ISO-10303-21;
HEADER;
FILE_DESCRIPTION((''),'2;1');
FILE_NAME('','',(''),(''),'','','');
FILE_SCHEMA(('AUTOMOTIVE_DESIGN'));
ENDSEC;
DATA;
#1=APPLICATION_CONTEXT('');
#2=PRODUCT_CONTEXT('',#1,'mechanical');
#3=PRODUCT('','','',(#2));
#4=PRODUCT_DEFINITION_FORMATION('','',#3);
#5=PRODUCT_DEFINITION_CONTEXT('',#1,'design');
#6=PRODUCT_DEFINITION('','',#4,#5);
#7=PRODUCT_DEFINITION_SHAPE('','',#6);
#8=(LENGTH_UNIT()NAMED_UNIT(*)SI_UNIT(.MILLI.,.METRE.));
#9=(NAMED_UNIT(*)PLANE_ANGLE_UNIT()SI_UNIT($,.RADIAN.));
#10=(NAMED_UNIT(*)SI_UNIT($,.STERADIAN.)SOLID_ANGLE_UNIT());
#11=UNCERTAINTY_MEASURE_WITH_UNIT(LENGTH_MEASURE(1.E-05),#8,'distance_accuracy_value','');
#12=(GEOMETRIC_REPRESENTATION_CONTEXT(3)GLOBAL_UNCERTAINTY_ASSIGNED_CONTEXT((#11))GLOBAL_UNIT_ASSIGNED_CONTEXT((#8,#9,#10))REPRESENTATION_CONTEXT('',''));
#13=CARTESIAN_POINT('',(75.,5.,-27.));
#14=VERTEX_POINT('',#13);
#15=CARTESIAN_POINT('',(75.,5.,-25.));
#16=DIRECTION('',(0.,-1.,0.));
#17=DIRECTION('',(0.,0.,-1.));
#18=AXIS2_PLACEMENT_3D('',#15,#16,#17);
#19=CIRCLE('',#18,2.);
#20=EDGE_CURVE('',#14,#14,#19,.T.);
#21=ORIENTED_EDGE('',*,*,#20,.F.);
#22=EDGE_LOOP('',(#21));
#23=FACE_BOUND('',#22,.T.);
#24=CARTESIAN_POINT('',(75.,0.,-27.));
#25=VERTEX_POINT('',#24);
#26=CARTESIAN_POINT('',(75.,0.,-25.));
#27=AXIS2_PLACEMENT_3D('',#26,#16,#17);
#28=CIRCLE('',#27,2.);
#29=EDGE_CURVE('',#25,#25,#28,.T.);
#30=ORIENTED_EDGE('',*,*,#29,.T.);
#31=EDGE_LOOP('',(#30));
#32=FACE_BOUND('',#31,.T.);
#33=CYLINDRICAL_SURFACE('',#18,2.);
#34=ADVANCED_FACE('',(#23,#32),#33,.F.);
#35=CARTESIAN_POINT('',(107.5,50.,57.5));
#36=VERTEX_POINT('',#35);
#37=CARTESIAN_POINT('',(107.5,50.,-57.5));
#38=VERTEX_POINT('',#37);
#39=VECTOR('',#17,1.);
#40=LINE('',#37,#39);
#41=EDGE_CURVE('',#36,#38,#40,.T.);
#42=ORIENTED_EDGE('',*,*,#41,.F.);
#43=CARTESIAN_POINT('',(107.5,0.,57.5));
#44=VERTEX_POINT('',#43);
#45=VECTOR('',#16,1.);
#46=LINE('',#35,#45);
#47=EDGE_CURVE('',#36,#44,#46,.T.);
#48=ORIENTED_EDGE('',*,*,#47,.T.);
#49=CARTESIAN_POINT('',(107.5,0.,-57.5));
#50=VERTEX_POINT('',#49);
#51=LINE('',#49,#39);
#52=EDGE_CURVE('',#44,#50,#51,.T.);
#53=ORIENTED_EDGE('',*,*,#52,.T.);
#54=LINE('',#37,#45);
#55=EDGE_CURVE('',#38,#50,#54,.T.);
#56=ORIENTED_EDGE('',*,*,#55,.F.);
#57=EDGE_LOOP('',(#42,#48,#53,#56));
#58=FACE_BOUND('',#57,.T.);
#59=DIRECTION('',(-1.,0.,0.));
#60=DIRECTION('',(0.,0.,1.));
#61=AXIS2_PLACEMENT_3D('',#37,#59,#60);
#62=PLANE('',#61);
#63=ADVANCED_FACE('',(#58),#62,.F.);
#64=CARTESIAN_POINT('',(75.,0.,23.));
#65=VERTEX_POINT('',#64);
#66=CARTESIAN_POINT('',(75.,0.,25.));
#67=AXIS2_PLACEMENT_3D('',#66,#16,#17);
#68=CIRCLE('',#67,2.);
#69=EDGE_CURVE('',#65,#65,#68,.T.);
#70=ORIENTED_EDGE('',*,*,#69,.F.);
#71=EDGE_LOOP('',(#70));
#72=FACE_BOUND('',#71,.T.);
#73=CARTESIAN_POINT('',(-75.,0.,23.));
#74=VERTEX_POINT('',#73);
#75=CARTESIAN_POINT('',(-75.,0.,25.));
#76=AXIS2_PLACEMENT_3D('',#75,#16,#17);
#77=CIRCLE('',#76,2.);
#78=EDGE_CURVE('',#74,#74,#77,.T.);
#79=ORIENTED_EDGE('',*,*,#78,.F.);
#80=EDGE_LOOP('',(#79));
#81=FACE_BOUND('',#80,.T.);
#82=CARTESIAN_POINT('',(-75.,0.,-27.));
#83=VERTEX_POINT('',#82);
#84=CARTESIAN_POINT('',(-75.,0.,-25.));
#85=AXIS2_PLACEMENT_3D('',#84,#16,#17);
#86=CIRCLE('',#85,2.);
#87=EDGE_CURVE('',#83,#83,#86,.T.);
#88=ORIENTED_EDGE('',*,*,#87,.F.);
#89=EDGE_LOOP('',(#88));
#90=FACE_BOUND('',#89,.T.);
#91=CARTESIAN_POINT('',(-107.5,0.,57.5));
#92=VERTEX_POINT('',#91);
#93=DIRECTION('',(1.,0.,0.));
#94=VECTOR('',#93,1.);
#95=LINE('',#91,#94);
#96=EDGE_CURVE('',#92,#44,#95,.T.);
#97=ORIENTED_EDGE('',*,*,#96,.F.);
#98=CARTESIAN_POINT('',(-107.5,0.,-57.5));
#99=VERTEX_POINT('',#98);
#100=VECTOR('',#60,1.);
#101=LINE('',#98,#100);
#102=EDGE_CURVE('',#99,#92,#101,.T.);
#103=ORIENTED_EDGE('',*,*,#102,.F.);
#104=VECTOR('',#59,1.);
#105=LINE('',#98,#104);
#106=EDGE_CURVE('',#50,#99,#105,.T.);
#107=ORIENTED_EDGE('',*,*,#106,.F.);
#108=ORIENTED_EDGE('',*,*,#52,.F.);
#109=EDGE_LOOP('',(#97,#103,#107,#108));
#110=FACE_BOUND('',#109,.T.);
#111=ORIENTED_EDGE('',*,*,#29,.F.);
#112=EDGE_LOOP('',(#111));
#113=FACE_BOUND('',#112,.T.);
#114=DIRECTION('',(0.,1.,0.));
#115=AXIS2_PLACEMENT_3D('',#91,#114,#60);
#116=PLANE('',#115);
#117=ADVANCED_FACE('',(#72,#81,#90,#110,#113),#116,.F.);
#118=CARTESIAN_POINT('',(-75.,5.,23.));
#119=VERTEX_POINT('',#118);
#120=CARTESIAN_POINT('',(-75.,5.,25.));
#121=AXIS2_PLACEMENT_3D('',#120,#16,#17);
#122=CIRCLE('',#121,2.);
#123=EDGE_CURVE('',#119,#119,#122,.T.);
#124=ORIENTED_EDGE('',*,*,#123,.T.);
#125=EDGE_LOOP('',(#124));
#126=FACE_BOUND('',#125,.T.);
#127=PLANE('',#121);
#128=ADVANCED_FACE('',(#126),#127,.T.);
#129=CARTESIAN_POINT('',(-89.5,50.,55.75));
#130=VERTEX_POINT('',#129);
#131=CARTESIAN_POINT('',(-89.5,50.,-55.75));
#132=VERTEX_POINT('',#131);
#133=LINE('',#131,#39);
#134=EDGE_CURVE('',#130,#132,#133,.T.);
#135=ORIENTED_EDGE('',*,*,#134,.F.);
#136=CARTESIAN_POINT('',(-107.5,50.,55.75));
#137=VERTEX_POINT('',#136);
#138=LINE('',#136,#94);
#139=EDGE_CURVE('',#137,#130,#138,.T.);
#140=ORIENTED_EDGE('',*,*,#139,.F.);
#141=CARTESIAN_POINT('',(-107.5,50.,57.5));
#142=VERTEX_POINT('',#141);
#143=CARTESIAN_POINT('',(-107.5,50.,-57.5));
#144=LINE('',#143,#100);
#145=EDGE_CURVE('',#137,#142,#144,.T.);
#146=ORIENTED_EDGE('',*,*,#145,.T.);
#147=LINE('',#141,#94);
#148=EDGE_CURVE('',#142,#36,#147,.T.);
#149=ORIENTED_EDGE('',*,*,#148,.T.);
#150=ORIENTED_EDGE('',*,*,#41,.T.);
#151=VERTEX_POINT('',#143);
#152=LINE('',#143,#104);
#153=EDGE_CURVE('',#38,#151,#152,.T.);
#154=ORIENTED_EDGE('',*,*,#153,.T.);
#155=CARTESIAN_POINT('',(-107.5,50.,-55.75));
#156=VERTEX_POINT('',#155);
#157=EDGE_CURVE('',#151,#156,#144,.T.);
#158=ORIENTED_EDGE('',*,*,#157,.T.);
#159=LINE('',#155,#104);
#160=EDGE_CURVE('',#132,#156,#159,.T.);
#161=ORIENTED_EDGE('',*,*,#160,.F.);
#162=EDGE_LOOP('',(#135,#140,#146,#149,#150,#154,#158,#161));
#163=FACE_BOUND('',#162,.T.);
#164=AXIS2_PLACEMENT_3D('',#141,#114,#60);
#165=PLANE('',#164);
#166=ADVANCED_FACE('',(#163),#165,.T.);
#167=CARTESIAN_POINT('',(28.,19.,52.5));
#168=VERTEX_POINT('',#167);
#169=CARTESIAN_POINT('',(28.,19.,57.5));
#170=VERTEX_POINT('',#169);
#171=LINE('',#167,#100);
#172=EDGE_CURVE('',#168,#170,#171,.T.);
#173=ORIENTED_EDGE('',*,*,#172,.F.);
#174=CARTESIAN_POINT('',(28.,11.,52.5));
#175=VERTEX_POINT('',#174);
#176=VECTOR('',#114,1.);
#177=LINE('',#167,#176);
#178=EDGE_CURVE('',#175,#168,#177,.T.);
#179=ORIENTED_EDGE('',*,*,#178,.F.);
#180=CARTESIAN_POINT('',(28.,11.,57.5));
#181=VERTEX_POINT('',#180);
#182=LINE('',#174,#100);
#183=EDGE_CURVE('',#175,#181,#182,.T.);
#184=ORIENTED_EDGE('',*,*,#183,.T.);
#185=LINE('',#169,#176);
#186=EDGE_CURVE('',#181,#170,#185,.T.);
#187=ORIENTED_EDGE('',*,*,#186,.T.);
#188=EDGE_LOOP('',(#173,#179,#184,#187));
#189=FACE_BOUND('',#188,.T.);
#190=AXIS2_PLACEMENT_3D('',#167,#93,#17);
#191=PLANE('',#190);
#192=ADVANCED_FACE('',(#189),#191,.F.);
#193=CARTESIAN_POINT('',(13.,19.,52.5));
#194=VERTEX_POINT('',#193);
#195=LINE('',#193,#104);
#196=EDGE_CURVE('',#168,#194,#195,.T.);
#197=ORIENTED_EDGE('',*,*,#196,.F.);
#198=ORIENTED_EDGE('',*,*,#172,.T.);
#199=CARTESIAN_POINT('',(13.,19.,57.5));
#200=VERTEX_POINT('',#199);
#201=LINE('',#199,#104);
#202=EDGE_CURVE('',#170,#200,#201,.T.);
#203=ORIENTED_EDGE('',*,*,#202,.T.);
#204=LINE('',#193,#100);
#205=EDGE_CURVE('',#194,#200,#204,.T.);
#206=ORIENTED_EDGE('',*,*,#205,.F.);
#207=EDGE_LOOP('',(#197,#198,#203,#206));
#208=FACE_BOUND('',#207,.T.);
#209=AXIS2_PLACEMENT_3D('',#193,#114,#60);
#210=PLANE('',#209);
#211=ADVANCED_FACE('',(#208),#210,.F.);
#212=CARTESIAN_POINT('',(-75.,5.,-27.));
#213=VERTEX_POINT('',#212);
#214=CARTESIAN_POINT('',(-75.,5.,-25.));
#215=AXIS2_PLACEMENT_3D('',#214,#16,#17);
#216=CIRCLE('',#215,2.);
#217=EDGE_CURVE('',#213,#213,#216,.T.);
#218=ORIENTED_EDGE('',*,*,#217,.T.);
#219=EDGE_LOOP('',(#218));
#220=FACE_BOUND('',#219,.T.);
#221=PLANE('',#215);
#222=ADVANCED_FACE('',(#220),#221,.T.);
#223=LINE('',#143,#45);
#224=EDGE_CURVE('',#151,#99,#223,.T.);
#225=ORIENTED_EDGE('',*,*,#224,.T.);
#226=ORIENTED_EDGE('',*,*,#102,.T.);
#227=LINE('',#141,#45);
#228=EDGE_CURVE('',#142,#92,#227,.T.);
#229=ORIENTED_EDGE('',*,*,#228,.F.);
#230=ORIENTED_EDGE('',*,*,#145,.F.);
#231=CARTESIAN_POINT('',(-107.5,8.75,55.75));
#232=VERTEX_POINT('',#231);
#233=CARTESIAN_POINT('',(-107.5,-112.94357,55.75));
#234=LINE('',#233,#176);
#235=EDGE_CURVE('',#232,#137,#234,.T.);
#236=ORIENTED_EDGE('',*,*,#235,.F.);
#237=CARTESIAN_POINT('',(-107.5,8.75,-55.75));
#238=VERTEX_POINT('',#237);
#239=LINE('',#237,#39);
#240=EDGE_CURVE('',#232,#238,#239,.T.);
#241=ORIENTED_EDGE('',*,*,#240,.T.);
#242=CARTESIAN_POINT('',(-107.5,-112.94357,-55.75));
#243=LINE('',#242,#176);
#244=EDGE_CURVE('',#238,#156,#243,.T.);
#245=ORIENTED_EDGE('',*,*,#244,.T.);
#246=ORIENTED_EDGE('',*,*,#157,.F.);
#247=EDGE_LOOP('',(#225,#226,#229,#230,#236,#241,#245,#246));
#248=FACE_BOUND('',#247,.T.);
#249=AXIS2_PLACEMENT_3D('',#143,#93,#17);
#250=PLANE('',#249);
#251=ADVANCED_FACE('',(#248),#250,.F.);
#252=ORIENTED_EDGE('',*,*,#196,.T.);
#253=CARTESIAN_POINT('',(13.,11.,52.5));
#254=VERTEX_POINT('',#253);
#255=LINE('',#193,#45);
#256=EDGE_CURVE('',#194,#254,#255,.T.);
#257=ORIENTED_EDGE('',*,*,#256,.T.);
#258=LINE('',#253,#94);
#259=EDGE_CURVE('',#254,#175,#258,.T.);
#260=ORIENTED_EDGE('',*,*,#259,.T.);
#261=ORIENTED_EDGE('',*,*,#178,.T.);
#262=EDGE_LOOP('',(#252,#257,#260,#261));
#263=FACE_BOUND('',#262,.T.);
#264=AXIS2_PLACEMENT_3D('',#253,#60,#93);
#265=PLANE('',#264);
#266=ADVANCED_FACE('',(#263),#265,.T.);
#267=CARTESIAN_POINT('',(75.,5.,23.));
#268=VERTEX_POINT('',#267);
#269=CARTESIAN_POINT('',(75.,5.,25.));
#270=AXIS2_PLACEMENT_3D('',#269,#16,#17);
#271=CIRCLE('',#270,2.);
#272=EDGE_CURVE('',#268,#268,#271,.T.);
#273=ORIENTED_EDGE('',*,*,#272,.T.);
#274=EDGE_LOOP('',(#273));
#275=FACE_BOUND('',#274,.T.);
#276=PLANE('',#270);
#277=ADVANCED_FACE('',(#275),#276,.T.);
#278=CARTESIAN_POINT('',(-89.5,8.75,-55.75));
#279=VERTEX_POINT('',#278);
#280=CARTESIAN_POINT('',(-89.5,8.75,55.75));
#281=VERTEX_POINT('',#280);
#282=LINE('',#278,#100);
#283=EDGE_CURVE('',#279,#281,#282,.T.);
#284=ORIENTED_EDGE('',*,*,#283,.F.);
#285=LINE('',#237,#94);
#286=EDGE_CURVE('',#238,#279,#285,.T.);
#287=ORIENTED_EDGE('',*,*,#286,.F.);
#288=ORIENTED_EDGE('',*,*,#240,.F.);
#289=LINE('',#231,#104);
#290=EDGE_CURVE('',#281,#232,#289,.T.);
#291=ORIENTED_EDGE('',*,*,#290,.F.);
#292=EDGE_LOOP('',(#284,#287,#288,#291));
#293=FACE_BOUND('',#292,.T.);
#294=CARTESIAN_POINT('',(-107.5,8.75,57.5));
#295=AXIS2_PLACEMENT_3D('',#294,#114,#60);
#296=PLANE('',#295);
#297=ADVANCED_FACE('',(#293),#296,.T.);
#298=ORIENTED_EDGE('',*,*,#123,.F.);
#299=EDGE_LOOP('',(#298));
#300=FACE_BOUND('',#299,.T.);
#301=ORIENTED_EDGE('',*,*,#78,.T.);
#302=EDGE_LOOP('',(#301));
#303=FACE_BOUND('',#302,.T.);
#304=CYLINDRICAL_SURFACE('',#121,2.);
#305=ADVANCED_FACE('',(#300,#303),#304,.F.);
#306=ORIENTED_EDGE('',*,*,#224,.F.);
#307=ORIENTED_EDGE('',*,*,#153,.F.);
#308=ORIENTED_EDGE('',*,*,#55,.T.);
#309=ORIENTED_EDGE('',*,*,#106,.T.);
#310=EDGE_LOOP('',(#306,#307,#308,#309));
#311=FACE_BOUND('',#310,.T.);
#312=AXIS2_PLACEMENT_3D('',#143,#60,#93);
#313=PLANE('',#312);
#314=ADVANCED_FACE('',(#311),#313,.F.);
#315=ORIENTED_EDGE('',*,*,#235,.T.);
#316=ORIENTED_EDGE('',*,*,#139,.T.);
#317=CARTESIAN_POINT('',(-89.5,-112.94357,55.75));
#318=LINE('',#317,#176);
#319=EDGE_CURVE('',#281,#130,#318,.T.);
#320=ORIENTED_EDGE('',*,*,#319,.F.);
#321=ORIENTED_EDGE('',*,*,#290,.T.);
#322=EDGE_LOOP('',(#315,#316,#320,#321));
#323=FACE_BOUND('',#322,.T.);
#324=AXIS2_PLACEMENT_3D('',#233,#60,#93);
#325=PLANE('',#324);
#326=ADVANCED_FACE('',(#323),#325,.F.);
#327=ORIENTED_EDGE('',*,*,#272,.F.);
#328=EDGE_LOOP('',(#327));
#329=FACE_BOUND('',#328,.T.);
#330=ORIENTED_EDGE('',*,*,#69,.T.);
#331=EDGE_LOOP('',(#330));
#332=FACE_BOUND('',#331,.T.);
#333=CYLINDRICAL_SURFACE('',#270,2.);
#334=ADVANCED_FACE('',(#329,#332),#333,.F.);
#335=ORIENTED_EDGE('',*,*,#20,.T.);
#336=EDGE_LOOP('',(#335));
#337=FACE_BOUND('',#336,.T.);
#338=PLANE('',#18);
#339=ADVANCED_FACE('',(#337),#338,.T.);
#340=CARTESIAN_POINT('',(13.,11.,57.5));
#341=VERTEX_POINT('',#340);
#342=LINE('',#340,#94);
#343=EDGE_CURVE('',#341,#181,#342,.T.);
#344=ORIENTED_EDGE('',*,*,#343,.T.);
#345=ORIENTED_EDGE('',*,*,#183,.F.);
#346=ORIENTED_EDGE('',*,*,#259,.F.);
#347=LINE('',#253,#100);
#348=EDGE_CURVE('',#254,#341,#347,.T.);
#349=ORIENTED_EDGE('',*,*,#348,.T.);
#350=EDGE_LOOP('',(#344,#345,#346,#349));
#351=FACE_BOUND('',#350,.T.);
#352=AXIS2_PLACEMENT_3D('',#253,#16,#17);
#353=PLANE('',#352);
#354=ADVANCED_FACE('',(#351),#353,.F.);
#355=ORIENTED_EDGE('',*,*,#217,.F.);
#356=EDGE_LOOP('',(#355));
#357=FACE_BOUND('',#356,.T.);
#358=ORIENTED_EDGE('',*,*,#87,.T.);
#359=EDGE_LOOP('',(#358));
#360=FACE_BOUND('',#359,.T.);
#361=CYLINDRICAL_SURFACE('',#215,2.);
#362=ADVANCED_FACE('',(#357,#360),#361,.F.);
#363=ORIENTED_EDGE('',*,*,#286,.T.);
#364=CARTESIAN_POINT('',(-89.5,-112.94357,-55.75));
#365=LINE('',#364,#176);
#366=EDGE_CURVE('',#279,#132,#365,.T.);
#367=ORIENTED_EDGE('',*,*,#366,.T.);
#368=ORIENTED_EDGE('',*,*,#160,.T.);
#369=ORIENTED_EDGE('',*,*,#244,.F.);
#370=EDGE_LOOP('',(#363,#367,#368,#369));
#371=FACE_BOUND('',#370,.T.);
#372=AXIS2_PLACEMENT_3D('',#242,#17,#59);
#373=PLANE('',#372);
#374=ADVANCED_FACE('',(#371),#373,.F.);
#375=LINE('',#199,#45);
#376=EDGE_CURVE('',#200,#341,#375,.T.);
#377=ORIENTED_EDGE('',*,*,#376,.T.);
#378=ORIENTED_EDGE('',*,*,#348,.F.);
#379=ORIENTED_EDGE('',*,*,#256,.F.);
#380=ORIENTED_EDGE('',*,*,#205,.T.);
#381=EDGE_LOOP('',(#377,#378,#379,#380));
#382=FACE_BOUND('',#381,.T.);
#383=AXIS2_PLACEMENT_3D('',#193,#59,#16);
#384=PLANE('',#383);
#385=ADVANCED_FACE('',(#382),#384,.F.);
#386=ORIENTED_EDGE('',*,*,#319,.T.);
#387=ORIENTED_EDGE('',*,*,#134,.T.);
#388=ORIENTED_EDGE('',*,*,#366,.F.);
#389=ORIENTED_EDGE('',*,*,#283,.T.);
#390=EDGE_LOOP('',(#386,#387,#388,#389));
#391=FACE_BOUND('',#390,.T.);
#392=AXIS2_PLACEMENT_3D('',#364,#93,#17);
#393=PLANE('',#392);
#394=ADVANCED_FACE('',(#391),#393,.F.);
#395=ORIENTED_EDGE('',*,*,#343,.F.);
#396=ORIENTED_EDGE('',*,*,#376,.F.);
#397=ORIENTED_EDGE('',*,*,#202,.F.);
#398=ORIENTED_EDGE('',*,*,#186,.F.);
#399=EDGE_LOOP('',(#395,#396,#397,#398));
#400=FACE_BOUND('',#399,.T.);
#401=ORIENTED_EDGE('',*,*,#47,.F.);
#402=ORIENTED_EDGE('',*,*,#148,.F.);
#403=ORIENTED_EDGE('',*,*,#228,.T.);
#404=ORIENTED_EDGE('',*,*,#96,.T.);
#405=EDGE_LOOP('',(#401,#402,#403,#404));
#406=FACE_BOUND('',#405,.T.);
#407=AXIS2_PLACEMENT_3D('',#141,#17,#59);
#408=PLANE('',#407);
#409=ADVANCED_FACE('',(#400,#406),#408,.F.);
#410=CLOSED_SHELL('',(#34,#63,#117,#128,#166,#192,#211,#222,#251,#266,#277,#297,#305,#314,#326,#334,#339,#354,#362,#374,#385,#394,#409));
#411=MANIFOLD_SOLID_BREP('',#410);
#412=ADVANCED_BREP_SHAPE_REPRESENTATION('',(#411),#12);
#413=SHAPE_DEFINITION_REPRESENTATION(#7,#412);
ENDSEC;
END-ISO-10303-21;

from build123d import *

# Parameters (mm, degrees)
SKETCH1_W           = 215
SKETCH1_H           = 115
BOSS_EXTRUDE1_DEPTH = 50
SKETCH2_W           = 18
SKETCH2_H           = 111.5
CUT_EXTRUDE1_DEPTH  = 41.25
SKETCH3_R           = 2
CUT_EXTRUDE2_DEPTH  = 5
SKETCH4_W           = 15
SKETCH4_H           = 8
CUT_EXTRUDE3_DEPTH  = 5


with BuildPart() as part:
    # Sketch1 → Boss-Extrude1 (new body)
    with BuildSketch(Plane(origin=(0, 0, 0), x_dir=(1, 0, 0), z_dir=(0, 1, 0))):
        Rectangle(SKETCH1_W, SKETCH1_H)
    extrude(amount=BOSS_EXTRUDE1_DEPTH)

    # Sketch2 → Cut-Extrude1 (cut)
    with BuildSketch(Plane(origin=(0, 50, 0), x_dir=(1, 0, 0), z_dir=(0, 1, 0))):
        with Locations((-98.5, 0)):
            Rectangle(SKETCH2_W, SKETCH2_H)
    extrude(amount=-CUT_EXTRUDE1_DEPTH, mode=Mode.SUBTRACT)

    # Sketch3 → Cut-Extrude2 (cut)
    with BuildSketch(Plane.XZ):
        with Locations(Location((-75, -25, 0), (0, 0, 270))):  # turned: the seam where the file's is
            Circle(SKETCH3_R)
        with Locations(Location((-75, 25, 0), (0, 0, 270))):  # turned: the seam where the file's is
            Circle(SKETCH3_R)
        with Locations(Location((75, -25, 0), (0, 0, 270))):  # turned: the seam where the file's is
            Circle(SKETCH3_R)
        with Locations(Location((75, 25, 0), (0, 0, 270))):  # turned: the seam where the file's is
            Circle(SKETCH3_R)
    extrude(amount=-CUT_EXTRUDE2_DEPTH, mode=Mode.SUBTRACT)

    # Sketch4 → Cut-Extrude3 (cut)
    with BuildSketch(Plane.XY.offset(57.5)):
        with Locations((20.5, 15)):
            Rectangle(SKETCH4_W, SKETCH4_H)
    extrude(amount=-CUT_EXTRUDE3_DEPTH, mode=Mode.SUBTRACT)


solid = part.part
